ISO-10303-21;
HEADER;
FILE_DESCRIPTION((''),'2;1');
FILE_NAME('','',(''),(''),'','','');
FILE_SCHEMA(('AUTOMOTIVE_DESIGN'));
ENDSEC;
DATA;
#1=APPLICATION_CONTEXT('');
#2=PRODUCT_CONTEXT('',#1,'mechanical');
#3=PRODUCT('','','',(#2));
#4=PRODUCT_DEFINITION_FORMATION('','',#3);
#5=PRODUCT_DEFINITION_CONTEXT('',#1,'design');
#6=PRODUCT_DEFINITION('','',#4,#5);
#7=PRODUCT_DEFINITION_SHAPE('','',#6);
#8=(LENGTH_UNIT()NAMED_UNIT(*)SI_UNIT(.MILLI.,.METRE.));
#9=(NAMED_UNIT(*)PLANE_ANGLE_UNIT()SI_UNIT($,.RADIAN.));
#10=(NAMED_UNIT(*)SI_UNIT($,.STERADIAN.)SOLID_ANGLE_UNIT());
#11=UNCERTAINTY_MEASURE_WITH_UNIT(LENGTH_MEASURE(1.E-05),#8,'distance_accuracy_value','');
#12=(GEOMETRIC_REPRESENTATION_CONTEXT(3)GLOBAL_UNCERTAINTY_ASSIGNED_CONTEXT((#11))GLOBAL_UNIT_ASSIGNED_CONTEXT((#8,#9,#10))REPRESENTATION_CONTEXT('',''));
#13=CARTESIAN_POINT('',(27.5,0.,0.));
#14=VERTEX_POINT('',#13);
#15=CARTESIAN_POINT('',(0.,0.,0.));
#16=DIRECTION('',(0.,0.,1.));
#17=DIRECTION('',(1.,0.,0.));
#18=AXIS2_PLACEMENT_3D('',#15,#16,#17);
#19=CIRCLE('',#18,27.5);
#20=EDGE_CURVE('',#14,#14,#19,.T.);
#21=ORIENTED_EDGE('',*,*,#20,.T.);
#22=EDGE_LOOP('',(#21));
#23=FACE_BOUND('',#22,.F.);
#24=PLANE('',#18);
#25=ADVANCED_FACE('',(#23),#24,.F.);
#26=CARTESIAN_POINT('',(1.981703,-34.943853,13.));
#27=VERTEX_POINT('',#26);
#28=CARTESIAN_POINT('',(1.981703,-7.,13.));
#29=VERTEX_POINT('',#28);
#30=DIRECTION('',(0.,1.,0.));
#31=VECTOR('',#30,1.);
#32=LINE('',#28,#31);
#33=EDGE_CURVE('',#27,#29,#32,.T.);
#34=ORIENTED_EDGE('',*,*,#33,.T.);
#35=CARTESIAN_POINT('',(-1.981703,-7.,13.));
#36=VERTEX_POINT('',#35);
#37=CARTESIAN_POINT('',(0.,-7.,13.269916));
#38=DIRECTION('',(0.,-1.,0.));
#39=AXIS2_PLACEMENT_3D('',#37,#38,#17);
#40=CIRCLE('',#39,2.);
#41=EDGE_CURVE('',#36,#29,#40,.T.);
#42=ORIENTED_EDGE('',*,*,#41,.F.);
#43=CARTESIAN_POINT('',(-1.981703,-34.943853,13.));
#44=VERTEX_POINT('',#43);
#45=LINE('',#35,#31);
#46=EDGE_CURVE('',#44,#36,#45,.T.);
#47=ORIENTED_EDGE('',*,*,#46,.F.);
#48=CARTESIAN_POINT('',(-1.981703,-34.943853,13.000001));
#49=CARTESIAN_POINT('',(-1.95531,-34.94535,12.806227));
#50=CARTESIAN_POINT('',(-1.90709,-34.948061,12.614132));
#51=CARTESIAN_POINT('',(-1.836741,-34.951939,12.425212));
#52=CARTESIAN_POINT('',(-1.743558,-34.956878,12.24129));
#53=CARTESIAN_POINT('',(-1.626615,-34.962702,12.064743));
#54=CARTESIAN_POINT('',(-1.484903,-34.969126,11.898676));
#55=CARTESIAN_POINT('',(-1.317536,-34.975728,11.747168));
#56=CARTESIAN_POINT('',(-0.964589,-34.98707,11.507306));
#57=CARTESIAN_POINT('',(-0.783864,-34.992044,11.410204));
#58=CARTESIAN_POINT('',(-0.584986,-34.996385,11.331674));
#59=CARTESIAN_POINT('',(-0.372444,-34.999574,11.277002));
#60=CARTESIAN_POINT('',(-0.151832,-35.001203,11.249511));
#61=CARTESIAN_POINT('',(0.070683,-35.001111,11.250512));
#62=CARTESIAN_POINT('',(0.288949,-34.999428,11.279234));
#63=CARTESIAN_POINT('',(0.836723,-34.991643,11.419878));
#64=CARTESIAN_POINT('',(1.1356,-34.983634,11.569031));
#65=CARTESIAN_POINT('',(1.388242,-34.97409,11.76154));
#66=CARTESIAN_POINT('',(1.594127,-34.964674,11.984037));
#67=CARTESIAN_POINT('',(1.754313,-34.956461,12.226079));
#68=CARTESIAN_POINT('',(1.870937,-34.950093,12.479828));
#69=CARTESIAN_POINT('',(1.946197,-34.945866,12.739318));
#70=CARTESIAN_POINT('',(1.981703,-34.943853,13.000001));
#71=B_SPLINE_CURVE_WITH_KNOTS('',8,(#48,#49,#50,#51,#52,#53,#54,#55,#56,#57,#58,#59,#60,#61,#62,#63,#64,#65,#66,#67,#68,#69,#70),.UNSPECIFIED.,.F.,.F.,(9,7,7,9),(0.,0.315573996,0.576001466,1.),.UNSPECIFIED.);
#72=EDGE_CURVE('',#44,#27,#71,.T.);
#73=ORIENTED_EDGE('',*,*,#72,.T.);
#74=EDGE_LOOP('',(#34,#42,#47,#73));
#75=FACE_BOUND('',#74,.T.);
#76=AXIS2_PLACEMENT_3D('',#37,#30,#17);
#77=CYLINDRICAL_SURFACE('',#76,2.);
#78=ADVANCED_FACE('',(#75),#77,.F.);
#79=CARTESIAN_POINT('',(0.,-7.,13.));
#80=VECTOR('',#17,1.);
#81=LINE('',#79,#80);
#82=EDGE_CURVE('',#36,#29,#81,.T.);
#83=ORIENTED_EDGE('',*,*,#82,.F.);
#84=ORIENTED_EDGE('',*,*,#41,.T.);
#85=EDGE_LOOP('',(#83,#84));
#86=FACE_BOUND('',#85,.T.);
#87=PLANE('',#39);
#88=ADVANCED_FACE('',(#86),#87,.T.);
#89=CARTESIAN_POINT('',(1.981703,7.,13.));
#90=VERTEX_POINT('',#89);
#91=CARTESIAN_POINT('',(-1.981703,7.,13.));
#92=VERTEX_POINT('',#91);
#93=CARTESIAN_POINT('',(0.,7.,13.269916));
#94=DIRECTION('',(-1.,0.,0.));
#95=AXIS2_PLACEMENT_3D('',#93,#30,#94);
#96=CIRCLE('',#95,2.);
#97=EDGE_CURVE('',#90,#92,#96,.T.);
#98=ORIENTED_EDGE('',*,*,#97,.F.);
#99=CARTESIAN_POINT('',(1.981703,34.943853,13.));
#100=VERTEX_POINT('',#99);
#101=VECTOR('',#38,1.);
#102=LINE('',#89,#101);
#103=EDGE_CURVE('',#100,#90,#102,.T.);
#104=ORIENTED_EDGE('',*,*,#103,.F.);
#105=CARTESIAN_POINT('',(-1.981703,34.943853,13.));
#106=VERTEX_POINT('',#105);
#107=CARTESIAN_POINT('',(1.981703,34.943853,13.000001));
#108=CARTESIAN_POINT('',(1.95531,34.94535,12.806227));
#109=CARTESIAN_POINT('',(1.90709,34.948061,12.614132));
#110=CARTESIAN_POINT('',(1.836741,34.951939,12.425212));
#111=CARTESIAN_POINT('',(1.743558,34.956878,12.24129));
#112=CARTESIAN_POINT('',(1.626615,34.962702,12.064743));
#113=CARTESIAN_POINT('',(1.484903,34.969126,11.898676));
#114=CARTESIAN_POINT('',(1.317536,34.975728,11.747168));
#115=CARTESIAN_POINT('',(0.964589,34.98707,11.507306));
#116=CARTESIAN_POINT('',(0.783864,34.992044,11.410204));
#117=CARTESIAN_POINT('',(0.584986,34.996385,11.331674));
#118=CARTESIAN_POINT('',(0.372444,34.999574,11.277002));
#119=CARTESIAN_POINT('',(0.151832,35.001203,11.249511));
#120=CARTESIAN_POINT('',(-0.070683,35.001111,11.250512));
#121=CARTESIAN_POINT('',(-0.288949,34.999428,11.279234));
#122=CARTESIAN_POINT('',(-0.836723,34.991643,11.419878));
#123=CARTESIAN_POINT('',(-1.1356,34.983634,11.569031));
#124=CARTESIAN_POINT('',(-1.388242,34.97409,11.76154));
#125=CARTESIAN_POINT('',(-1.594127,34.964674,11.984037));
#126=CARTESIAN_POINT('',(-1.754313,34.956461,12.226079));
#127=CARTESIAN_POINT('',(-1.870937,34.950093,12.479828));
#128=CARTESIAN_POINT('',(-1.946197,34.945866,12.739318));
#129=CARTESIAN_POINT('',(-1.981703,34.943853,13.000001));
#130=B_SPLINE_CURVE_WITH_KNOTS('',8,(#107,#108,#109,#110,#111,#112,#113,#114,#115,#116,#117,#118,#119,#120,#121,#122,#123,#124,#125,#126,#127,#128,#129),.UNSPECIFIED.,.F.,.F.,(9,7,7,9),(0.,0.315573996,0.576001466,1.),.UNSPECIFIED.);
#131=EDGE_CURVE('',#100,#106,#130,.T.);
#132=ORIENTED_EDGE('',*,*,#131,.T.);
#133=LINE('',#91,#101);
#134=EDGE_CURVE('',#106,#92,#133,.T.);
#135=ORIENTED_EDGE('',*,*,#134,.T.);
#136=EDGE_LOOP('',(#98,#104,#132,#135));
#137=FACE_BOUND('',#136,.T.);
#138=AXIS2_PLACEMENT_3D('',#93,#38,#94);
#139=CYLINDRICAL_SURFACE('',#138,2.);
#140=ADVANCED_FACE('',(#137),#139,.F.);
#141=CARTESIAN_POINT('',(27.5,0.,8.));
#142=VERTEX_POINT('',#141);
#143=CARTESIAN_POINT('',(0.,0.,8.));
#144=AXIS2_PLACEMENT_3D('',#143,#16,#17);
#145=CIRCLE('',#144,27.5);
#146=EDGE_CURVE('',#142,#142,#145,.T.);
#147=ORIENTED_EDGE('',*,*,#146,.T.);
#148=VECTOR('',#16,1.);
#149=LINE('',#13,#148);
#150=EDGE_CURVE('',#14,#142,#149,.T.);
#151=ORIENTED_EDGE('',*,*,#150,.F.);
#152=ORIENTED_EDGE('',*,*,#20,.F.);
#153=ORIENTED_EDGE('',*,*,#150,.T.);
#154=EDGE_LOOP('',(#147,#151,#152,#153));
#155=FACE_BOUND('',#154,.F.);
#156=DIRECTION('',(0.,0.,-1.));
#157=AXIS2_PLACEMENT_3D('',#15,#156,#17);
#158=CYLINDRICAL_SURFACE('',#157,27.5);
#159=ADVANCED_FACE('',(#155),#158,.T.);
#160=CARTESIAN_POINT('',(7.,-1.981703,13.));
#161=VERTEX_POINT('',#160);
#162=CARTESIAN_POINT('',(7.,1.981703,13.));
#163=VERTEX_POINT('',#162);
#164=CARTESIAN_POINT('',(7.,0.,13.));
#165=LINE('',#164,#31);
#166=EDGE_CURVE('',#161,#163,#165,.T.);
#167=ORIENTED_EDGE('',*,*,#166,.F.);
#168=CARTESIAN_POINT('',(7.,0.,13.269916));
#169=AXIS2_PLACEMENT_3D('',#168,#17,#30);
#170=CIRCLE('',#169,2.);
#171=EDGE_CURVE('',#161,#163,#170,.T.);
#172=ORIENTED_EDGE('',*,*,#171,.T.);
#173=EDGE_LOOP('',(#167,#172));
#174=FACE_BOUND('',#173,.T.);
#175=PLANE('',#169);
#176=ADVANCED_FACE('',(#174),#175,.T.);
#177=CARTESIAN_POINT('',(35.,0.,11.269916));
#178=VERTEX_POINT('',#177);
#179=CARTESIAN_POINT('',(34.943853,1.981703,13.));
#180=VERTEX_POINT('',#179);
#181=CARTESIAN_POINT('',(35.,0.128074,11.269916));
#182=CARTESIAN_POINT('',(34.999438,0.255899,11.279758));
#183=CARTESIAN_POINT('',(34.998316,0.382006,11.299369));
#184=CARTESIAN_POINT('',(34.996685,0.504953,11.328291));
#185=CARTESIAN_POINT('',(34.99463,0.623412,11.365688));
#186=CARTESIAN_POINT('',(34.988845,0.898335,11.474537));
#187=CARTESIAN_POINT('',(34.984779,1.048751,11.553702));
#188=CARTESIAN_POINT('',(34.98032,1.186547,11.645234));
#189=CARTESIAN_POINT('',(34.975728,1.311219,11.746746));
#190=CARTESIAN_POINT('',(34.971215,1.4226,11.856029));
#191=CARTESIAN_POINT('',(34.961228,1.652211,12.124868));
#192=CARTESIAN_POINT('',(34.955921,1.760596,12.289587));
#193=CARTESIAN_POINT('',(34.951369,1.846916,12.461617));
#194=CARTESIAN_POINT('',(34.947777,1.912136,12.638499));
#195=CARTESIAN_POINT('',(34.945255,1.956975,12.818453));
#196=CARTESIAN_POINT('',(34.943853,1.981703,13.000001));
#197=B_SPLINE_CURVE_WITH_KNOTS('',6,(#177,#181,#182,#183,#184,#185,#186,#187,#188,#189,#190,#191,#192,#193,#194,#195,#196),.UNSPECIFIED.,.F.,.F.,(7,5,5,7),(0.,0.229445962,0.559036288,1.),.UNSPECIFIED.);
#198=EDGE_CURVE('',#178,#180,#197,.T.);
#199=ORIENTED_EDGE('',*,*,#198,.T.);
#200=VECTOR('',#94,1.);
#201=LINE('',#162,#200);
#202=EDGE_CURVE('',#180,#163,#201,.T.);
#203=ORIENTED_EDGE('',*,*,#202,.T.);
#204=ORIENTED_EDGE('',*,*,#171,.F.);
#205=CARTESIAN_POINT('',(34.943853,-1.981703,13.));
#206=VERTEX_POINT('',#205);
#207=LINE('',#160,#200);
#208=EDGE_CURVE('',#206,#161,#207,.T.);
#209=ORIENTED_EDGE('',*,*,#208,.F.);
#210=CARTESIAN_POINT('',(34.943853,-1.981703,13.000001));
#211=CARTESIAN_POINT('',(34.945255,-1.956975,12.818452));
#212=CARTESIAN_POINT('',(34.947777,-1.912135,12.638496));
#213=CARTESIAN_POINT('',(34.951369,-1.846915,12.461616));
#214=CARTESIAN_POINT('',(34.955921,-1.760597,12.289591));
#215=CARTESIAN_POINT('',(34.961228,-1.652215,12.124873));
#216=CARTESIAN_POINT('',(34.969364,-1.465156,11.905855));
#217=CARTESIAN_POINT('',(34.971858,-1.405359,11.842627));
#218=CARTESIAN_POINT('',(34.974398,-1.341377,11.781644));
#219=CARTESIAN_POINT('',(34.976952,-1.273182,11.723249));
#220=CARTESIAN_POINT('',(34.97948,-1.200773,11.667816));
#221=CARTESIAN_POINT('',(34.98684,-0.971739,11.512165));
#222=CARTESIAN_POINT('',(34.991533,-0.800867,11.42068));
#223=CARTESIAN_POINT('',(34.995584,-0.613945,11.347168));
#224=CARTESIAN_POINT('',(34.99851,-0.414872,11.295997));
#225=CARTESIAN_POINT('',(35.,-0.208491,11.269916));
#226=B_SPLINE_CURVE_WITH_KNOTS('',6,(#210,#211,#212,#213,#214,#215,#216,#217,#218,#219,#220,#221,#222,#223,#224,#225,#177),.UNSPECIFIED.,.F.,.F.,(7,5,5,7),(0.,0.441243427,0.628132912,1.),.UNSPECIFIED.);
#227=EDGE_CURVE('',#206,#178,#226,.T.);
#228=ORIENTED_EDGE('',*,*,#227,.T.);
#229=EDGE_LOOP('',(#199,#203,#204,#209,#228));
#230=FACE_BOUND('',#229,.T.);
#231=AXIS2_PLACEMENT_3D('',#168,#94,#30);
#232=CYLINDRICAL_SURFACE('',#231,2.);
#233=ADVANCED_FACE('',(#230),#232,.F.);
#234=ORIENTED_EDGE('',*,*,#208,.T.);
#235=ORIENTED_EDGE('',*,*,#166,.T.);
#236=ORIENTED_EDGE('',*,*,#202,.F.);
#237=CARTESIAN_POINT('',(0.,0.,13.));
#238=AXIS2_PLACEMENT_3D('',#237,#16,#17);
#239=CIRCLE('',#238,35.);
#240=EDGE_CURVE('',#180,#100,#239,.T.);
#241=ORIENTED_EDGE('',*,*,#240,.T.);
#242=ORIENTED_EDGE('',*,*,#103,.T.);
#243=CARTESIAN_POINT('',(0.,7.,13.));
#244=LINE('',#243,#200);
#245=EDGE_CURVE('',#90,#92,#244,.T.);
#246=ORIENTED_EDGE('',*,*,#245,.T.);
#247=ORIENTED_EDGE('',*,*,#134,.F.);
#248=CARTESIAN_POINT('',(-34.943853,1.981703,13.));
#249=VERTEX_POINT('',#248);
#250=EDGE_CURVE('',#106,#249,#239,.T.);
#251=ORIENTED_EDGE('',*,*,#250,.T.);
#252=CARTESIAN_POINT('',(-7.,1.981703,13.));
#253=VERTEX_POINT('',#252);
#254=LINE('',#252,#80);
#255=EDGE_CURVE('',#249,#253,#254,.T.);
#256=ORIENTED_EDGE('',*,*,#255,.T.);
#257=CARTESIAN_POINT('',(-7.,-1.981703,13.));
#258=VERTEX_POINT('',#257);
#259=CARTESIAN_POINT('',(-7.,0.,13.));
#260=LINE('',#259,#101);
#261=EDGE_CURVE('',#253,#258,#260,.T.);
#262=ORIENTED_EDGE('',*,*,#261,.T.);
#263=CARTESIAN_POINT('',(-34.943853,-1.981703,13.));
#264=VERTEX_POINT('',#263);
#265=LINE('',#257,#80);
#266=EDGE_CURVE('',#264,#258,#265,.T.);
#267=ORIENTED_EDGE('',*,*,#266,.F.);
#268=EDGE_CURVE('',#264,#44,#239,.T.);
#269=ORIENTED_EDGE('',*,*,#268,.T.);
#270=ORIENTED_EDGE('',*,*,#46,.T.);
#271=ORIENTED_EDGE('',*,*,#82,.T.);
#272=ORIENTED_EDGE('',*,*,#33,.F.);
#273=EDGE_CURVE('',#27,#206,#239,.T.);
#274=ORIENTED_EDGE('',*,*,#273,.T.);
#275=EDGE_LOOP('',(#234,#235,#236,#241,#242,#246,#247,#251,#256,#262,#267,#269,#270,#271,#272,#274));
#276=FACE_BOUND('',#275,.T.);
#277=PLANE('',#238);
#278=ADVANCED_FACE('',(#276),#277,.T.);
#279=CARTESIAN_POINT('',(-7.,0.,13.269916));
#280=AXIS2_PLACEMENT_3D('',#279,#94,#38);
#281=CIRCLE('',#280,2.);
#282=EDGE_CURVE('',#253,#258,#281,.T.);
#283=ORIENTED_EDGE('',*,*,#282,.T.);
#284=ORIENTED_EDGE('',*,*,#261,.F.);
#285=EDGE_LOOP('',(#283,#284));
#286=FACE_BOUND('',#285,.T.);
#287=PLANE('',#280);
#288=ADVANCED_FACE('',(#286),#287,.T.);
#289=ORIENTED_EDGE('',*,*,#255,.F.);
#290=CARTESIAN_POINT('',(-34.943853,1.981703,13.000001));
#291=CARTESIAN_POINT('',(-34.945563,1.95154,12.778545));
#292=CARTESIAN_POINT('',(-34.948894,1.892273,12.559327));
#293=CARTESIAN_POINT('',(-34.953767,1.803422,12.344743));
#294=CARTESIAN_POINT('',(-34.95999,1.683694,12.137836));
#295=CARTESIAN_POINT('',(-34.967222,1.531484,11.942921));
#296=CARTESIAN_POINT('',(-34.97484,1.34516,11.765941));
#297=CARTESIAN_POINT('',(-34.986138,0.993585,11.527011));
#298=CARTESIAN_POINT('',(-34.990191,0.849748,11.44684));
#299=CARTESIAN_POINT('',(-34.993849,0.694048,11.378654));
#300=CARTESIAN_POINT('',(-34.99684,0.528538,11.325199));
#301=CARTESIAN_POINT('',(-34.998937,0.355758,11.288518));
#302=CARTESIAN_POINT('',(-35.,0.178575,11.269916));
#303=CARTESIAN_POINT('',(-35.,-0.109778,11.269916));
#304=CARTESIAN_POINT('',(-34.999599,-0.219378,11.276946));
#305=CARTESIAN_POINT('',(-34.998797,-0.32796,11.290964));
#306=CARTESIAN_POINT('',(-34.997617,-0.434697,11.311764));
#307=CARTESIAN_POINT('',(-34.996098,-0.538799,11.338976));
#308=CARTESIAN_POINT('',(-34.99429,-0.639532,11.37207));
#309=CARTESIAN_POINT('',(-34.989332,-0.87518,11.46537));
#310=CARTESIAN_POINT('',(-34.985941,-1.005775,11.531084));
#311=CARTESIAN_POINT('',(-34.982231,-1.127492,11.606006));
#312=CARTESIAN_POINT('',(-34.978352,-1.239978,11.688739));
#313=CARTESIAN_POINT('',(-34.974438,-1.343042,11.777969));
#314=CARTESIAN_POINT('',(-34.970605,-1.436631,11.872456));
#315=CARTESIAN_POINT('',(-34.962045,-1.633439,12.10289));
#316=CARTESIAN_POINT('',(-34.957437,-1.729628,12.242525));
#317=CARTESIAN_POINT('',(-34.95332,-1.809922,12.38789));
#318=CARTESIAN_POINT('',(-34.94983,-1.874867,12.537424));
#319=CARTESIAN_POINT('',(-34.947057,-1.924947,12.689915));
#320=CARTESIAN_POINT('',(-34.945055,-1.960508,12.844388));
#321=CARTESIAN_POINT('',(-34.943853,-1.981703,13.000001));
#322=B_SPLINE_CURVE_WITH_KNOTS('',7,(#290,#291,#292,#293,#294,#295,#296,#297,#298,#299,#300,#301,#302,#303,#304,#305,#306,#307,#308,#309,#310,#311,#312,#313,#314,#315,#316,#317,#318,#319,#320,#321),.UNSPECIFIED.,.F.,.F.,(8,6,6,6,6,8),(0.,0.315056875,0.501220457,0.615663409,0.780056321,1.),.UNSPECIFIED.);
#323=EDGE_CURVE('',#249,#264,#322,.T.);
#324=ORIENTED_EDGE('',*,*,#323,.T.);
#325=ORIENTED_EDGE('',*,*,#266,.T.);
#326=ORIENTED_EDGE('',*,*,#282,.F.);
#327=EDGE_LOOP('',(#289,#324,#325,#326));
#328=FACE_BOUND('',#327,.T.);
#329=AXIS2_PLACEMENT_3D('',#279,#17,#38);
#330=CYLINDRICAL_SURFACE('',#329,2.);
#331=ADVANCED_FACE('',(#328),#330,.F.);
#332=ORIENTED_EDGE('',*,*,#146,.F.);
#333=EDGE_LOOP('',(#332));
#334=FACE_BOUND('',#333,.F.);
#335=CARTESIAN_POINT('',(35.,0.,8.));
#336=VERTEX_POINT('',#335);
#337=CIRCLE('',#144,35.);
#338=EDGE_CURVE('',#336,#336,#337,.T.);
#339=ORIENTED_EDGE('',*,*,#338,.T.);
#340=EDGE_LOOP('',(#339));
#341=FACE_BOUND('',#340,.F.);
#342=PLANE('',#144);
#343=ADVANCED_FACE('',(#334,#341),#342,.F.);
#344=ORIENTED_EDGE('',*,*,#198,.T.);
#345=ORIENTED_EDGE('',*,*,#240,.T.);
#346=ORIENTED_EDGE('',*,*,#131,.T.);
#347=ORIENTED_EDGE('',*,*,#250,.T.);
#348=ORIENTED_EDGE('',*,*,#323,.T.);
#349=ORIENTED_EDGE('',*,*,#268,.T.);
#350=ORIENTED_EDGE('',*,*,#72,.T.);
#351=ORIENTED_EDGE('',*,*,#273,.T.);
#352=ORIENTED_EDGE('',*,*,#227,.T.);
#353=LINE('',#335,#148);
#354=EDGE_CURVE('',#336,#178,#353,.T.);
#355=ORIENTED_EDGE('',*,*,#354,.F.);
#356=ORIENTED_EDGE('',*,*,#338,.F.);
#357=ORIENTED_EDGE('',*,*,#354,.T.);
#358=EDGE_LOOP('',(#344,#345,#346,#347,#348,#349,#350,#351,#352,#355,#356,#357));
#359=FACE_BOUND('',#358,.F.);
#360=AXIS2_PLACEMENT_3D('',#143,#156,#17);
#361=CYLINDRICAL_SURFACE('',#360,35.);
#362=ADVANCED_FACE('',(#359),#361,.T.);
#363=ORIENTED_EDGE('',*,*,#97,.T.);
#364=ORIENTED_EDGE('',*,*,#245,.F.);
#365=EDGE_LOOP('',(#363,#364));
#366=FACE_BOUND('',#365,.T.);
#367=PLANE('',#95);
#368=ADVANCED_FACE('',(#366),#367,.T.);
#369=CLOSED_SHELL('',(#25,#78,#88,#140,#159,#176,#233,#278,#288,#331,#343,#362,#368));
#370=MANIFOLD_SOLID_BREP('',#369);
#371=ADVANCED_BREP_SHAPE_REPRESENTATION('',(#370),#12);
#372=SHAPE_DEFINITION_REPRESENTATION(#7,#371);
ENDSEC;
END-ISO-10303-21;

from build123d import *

# Parameters (mm, degrees)
SKETCH_R           = 27.5
PAD_DEPTH          = 8
SKETCH001_R        = 35
PAD001_DEPTH       = 5
SKETCH002_R        = 2
POCKET_DEPTH       = 227.690759
POLARPATTERN_COUNT = 4


with BuildPart() as part:
    # Sketch → Pad (new body)
    with BuildSketch(Plane.XY):
        Circle(SKETCH_R)
    extrude(amount=PAD_DEPTH)

    # Sketch001 (on Face3 of Pad) → Pad001 (join)
    with BuildSketch(Plane.XY.offset(8)):
        Circle(SKETCH001_R)
    extrude(amount=PAD001_DEPTH)

    # Sketch002 → Pocket (cut, through all)
    with BuildSketch(Plane.XZ.offset(7)):
        with Locations((0, 13.269916)):
            Circle(SKETCH002_R)
    pocket = extrude(amount=POCKET_DEPTH, mode=Mode.SUBTRACT)

    # PolarPattern: Pocket ×4 about axis
    polarpattern_axis = Axis((0, 0, 0), (0, 0, 1))
    for i in range(1, POLARPATTERN_COUNT):
        add(pocket.rotate(polarpattern_axis, i * 360 / POLARPATTERN_COUNT), mode=Mode.SUBTRACT)


solid = part.part
